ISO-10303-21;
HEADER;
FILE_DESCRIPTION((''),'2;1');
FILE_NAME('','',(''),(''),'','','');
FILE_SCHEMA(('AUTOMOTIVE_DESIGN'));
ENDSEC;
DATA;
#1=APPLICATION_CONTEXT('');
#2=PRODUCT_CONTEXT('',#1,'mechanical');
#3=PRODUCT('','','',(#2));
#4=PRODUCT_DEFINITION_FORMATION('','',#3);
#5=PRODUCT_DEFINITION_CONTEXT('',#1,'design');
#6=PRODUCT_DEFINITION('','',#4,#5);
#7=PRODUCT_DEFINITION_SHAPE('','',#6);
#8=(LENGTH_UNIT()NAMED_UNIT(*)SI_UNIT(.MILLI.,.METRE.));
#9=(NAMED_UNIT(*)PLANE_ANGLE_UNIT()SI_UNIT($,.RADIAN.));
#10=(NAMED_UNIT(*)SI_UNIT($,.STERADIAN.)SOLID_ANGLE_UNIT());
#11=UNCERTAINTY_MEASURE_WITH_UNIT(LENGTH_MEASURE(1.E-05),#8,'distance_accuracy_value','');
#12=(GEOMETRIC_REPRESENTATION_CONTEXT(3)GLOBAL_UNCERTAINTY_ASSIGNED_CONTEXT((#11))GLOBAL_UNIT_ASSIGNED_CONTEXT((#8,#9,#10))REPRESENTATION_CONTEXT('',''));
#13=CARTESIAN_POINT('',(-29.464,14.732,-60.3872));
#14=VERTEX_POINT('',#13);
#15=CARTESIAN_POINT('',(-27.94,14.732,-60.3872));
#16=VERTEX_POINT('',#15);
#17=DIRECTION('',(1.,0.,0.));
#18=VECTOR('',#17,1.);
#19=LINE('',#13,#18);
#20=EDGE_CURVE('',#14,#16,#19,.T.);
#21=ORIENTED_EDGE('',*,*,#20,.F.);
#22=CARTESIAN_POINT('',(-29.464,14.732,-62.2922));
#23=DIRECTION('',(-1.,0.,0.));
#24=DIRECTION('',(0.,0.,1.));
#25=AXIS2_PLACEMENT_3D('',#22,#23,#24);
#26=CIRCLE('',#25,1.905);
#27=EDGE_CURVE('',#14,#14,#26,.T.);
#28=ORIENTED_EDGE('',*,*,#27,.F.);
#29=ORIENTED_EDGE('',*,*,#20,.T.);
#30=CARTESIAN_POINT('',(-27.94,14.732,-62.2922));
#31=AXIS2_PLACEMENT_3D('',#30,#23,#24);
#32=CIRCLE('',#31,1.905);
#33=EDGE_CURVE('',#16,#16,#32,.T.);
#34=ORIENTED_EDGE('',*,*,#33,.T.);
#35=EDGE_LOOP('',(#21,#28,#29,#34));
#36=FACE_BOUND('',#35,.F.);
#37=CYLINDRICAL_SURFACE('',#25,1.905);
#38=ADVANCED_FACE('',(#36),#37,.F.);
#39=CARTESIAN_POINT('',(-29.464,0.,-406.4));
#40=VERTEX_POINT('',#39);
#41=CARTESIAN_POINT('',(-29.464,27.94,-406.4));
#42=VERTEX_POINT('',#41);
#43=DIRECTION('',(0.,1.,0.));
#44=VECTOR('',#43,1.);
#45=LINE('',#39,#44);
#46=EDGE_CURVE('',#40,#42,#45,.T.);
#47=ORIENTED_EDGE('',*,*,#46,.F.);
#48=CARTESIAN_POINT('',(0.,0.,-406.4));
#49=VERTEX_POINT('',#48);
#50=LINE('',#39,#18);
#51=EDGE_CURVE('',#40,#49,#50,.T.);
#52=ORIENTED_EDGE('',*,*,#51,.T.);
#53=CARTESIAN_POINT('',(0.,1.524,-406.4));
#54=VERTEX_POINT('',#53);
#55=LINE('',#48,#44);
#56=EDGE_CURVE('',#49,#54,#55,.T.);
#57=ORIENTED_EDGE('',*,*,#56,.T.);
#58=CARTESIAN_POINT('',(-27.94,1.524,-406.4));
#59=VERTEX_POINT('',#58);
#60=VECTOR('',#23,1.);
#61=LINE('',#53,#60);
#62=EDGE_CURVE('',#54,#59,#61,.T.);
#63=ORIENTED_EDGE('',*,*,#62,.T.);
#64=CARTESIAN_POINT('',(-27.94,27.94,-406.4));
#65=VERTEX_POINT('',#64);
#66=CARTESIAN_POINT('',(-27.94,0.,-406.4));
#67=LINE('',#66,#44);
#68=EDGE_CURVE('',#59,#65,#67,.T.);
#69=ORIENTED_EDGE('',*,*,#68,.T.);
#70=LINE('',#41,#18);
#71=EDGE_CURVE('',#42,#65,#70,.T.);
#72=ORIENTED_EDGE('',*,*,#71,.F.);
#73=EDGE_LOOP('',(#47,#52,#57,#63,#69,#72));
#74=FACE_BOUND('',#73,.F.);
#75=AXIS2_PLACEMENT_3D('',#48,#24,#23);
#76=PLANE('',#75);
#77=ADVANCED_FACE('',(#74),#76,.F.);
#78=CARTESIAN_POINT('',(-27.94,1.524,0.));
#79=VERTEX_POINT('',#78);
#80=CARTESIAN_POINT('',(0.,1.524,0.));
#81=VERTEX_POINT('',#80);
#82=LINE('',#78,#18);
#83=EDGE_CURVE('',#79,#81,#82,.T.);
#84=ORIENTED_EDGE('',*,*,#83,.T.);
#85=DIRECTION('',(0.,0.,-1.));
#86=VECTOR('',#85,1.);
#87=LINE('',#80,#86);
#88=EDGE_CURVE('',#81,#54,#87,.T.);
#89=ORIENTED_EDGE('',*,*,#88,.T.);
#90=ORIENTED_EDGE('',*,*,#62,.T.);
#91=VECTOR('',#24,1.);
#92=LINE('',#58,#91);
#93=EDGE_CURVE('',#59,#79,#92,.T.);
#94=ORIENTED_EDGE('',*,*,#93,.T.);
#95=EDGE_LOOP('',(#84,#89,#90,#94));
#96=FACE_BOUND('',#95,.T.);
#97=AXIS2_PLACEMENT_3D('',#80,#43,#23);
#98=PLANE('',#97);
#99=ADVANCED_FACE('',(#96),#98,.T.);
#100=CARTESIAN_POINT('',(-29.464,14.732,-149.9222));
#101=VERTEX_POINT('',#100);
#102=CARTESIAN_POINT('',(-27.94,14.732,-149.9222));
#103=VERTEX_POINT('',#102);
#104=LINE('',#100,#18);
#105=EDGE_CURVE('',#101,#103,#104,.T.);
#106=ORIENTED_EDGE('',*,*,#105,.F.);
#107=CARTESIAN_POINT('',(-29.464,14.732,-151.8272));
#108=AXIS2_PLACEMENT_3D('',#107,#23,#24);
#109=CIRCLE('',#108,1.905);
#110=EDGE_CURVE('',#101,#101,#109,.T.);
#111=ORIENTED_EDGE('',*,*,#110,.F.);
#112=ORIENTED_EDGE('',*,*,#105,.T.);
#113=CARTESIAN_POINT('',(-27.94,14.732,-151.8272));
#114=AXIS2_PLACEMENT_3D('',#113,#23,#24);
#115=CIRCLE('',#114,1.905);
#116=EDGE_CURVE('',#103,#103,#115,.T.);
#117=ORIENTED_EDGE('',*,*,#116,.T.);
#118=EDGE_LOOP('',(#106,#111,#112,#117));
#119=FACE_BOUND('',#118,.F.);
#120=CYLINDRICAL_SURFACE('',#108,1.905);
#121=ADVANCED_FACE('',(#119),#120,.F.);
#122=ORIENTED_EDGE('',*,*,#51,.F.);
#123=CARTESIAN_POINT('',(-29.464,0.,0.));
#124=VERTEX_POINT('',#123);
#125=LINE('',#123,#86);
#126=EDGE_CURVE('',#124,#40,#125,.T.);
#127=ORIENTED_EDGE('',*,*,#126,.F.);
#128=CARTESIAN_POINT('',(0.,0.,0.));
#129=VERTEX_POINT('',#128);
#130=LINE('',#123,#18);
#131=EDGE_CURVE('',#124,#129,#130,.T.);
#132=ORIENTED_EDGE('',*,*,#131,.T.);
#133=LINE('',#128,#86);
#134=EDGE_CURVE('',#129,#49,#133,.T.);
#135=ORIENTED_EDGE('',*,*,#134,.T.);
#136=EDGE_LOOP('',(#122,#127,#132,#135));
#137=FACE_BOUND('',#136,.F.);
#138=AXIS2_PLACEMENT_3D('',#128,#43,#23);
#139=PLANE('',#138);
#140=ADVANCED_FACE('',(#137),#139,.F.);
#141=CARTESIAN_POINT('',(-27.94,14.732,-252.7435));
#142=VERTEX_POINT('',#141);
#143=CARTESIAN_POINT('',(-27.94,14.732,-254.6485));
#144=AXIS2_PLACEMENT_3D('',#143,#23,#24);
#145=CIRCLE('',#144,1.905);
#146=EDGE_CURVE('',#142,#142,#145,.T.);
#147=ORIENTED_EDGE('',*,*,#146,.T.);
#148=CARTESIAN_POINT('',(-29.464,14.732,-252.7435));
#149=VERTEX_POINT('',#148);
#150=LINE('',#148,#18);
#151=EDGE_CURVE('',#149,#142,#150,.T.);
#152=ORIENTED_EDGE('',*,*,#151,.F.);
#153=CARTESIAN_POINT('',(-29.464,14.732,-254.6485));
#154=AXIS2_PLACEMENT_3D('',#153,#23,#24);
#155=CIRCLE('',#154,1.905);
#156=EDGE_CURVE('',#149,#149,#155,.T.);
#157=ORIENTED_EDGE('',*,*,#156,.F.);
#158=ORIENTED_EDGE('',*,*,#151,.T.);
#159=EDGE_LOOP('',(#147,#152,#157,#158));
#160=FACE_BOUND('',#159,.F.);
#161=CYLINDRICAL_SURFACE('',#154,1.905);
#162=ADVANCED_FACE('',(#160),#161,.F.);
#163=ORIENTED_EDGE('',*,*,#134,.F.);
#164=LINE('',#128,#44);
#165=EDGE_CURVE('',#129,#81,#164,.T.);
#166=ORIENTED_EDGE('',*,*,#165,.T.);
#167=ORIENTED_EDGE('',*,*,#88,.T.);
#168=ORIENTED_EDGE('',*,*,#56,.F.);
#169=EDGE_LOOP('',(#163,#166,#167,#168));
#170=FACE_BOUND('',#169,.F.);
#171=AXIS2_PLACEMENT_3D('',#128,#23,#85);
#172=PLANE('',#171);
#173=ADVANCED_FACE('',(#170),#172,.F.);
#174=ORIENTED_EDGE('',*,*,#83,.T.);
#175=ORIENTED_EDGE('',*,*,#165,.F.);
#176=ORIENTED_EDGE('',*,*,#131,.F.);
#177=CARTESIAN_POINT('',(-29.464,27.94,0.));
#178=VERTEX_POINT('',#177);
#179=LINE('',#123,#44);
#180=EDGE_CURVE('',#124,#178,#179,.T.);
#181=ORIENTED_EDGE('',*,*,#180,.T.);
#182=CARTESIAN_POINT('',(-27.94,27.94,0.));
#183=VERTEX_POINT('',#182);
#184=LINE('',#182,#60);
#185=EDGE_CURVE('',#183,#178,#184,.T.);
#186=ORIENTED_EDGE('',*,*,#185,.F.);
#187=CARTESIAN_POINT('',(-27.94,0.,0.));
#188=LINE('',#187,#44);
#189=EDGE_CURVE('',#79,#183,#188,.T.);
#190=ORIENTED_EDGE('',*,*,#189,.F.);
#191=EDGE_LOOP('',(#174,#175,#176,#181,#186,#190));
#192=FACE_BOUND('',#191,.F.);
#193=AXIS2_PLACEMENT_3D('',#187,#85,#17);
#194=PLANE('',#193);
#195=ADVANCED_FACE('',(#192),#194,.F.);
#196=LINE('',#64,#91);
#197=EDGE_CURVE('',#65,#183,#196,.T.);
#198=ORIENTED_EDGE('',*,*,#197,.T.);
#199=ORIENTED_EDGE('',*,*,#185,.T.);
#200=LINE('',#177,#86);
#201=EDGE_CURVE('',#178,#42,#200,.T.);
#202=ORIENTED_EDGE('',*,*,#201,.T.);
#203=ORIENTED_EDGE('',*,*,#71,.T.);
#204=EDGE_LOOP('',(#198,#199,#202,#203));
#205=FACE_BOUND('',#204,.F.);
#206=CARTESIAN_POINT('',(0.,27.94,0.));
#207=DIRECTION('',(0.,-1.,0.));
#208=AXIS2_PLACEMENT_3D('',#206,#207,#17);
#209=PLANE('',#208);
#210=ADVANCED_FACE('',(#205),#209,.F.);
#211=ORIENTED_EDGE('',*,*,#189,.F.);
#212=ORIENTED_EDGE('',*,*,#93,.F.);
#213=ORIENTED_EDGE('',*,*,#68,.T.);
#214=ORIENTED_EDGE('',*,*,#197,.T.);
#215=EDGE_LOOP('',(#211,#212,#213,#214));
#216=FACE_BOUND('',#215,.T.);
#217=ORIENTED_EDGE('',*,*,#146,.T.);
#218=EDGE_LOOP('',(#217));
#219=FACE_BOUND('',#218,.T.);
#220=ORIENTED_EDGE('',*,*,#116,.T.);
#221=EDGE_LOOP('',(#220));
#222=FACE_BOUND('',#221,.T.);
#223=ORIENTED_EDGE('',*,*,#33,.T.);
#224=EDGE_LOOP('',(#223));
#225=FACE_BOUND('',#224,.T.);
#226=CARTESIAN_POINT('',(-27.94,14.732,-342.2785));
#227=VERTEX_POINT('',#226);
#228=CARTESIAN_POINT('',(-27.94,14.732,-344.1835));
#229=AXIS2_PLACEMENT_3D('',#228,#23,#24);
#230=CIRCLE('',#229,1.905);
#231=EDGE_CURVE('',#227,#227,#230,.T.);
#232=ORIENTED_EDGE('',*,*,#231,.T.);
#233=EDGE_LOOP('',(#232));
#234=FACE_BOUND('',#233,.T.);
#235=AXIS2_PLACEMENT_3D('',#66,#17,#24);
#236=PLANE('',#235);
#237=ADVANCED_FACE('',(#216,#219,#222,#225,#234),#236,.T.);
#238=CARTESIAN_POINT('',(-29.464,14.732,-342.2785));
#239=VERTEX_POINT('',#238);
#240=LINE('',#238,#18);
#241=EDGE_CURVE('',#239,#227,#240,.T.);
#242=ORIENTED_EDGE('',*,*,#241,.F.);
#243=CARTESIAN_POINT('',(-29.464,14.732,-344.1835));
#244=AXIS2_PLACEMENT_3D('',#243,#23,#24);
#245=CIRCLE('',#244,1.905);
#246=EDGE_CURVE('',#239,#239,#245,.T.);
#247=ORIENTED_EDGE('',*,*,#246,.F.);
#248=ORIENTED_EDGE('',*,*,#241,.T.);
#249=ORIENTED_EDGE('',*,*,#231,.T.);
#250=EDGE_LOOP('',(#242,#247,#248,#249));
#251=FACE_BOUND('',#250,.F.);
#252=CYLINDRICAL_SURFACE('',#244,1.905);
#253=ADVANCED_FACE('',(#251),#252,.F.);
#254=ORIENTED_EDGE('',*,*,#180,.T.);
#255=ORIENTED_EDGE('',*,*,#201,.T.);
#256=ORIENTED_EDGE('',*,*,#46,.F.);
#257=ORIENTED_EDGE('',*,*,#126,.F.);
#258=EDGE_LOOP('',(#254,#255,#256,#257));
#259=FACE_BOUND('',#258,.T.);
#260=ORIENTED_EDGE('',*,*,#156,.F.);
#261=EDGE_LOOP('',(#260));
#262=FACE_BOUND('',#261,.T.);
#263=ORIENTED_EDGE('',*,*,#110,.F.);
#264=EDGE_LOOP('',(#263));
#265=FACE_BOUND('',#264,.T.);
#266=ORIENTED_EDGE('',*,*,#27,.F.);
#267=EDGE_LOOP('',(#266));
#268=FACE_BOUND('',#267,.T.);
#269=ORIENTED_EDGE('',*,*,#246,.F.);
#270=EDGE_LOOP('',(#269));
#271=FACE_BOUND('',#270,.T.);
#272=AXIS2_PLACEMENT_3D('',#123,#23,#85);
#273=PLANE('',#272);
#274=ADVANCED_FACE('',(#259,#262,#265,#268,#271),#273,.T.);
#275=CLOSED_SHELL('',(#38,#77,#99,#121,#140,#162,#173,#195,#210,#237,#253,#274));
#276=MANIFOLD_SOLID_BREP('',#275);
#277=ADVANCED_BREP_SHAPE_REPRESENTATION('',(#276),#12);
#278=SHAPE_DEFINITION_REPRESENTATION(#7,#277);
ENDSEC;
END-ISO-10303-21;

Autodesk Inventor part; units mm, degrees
ref_plane "YZ Plane" through (0, 0, 0) normal (1, 0, 0) x (0, 1, 0)
ref_plane "XZ Plane" through (0, 0, 0) normal (0, 1, 0) x (-1, 0, 0)
ref_plane "XY Plane" through (0, 0, 0) normal (0, 0, 1) x (1, 0, 0)
sketch "Sketch1" plane through (0, 0, 0) normal (0, 1, 0) x (-1, 0, 0)
  line L0 (0, 0) -> (0, -406.4)
  line L1 (0, -406.4) -> (27.94, -406.4)
  line L2 (27.94, -406.4) -> (27.94, 0)
  line L3 (27.94, 0) -> (0, 0)
  dimension "d0" = 406.4
  dimension "d1" = 27.94
extrude "Extrusion1" add sketch "Sketch1" along normal blind 1.524
sketch "Sketch2" plane through (0, 0, 0) normal (0, -1, 0) x (1, 0, 0)
  line L0 (-27.94, 0) -> (0, 0) projected
  line L1 (-27.94, 0) -> (-29.464, 0)
  line L2 (-29.464, 0) -> (-29.464, -406.4)
  line L3 (0, -406.4) -> (-27.94, -406.4) projected
  line L4 (-29.464, -406.4) -> (-27.94, -406.4)
  line L5 (-27.94, -406.4) -> (-27.94, 0) projected
  line L6 (-27.94, -406.4) -> (-27.94, 0)
  dimension "d4" = 1.524
extrude "Extrusion2" add sketch "Sketch2" against normal blind 27.94
sketch "Sketch3" plane through (-29.464, 0, -406.4) normal (-1, 0, 0) x (0, 0, 1)
  line L0 (406.4, 1.524) -> (0, 1.524) projected
  line L1 (203.2, 1.524) -> (166.37, 1.524)
  line L2 (203.2, 1.524) -> (240.03, 1.524)
  point P0 (406.4, 0)
  dimension "d7" = 36.83
  dimension "d8" = 36.83
sketch "Sketch4" plane through (-29.464, 0, -406.4) normal (-1, 0, 0) x (0, 0, 1)
  line L0 (0, 1.524) -> (0, 27.94) projected
  line L1 (0, 14.732) -> (406.4, 14.732)
  line L2 (406.4, 1.524) -> (406.4, 27.94) projected
  point P0 (406.4, 0)
sketch "Sketch6" plane through (-29.464, 0, -406.4) normal (-1, 0, 0) x (0, 0, 1)
  circle A0 centre (344.1078, 14.732) radius 1.905
  circle A1 centre (254.5728, 14.732) radius 1.905
  circle A2 centre (151.7515, 14.732) radius 1.905
  circle A3 centre (62.2165, 14.732) radius 1.905
  point P0 (406.4, 0)
extrude "Extrusion4" cut sketch "Sketch6" against normal blind 17.4625
properties part number "Flywheel Headpiece" material "Steel, Alloy"
